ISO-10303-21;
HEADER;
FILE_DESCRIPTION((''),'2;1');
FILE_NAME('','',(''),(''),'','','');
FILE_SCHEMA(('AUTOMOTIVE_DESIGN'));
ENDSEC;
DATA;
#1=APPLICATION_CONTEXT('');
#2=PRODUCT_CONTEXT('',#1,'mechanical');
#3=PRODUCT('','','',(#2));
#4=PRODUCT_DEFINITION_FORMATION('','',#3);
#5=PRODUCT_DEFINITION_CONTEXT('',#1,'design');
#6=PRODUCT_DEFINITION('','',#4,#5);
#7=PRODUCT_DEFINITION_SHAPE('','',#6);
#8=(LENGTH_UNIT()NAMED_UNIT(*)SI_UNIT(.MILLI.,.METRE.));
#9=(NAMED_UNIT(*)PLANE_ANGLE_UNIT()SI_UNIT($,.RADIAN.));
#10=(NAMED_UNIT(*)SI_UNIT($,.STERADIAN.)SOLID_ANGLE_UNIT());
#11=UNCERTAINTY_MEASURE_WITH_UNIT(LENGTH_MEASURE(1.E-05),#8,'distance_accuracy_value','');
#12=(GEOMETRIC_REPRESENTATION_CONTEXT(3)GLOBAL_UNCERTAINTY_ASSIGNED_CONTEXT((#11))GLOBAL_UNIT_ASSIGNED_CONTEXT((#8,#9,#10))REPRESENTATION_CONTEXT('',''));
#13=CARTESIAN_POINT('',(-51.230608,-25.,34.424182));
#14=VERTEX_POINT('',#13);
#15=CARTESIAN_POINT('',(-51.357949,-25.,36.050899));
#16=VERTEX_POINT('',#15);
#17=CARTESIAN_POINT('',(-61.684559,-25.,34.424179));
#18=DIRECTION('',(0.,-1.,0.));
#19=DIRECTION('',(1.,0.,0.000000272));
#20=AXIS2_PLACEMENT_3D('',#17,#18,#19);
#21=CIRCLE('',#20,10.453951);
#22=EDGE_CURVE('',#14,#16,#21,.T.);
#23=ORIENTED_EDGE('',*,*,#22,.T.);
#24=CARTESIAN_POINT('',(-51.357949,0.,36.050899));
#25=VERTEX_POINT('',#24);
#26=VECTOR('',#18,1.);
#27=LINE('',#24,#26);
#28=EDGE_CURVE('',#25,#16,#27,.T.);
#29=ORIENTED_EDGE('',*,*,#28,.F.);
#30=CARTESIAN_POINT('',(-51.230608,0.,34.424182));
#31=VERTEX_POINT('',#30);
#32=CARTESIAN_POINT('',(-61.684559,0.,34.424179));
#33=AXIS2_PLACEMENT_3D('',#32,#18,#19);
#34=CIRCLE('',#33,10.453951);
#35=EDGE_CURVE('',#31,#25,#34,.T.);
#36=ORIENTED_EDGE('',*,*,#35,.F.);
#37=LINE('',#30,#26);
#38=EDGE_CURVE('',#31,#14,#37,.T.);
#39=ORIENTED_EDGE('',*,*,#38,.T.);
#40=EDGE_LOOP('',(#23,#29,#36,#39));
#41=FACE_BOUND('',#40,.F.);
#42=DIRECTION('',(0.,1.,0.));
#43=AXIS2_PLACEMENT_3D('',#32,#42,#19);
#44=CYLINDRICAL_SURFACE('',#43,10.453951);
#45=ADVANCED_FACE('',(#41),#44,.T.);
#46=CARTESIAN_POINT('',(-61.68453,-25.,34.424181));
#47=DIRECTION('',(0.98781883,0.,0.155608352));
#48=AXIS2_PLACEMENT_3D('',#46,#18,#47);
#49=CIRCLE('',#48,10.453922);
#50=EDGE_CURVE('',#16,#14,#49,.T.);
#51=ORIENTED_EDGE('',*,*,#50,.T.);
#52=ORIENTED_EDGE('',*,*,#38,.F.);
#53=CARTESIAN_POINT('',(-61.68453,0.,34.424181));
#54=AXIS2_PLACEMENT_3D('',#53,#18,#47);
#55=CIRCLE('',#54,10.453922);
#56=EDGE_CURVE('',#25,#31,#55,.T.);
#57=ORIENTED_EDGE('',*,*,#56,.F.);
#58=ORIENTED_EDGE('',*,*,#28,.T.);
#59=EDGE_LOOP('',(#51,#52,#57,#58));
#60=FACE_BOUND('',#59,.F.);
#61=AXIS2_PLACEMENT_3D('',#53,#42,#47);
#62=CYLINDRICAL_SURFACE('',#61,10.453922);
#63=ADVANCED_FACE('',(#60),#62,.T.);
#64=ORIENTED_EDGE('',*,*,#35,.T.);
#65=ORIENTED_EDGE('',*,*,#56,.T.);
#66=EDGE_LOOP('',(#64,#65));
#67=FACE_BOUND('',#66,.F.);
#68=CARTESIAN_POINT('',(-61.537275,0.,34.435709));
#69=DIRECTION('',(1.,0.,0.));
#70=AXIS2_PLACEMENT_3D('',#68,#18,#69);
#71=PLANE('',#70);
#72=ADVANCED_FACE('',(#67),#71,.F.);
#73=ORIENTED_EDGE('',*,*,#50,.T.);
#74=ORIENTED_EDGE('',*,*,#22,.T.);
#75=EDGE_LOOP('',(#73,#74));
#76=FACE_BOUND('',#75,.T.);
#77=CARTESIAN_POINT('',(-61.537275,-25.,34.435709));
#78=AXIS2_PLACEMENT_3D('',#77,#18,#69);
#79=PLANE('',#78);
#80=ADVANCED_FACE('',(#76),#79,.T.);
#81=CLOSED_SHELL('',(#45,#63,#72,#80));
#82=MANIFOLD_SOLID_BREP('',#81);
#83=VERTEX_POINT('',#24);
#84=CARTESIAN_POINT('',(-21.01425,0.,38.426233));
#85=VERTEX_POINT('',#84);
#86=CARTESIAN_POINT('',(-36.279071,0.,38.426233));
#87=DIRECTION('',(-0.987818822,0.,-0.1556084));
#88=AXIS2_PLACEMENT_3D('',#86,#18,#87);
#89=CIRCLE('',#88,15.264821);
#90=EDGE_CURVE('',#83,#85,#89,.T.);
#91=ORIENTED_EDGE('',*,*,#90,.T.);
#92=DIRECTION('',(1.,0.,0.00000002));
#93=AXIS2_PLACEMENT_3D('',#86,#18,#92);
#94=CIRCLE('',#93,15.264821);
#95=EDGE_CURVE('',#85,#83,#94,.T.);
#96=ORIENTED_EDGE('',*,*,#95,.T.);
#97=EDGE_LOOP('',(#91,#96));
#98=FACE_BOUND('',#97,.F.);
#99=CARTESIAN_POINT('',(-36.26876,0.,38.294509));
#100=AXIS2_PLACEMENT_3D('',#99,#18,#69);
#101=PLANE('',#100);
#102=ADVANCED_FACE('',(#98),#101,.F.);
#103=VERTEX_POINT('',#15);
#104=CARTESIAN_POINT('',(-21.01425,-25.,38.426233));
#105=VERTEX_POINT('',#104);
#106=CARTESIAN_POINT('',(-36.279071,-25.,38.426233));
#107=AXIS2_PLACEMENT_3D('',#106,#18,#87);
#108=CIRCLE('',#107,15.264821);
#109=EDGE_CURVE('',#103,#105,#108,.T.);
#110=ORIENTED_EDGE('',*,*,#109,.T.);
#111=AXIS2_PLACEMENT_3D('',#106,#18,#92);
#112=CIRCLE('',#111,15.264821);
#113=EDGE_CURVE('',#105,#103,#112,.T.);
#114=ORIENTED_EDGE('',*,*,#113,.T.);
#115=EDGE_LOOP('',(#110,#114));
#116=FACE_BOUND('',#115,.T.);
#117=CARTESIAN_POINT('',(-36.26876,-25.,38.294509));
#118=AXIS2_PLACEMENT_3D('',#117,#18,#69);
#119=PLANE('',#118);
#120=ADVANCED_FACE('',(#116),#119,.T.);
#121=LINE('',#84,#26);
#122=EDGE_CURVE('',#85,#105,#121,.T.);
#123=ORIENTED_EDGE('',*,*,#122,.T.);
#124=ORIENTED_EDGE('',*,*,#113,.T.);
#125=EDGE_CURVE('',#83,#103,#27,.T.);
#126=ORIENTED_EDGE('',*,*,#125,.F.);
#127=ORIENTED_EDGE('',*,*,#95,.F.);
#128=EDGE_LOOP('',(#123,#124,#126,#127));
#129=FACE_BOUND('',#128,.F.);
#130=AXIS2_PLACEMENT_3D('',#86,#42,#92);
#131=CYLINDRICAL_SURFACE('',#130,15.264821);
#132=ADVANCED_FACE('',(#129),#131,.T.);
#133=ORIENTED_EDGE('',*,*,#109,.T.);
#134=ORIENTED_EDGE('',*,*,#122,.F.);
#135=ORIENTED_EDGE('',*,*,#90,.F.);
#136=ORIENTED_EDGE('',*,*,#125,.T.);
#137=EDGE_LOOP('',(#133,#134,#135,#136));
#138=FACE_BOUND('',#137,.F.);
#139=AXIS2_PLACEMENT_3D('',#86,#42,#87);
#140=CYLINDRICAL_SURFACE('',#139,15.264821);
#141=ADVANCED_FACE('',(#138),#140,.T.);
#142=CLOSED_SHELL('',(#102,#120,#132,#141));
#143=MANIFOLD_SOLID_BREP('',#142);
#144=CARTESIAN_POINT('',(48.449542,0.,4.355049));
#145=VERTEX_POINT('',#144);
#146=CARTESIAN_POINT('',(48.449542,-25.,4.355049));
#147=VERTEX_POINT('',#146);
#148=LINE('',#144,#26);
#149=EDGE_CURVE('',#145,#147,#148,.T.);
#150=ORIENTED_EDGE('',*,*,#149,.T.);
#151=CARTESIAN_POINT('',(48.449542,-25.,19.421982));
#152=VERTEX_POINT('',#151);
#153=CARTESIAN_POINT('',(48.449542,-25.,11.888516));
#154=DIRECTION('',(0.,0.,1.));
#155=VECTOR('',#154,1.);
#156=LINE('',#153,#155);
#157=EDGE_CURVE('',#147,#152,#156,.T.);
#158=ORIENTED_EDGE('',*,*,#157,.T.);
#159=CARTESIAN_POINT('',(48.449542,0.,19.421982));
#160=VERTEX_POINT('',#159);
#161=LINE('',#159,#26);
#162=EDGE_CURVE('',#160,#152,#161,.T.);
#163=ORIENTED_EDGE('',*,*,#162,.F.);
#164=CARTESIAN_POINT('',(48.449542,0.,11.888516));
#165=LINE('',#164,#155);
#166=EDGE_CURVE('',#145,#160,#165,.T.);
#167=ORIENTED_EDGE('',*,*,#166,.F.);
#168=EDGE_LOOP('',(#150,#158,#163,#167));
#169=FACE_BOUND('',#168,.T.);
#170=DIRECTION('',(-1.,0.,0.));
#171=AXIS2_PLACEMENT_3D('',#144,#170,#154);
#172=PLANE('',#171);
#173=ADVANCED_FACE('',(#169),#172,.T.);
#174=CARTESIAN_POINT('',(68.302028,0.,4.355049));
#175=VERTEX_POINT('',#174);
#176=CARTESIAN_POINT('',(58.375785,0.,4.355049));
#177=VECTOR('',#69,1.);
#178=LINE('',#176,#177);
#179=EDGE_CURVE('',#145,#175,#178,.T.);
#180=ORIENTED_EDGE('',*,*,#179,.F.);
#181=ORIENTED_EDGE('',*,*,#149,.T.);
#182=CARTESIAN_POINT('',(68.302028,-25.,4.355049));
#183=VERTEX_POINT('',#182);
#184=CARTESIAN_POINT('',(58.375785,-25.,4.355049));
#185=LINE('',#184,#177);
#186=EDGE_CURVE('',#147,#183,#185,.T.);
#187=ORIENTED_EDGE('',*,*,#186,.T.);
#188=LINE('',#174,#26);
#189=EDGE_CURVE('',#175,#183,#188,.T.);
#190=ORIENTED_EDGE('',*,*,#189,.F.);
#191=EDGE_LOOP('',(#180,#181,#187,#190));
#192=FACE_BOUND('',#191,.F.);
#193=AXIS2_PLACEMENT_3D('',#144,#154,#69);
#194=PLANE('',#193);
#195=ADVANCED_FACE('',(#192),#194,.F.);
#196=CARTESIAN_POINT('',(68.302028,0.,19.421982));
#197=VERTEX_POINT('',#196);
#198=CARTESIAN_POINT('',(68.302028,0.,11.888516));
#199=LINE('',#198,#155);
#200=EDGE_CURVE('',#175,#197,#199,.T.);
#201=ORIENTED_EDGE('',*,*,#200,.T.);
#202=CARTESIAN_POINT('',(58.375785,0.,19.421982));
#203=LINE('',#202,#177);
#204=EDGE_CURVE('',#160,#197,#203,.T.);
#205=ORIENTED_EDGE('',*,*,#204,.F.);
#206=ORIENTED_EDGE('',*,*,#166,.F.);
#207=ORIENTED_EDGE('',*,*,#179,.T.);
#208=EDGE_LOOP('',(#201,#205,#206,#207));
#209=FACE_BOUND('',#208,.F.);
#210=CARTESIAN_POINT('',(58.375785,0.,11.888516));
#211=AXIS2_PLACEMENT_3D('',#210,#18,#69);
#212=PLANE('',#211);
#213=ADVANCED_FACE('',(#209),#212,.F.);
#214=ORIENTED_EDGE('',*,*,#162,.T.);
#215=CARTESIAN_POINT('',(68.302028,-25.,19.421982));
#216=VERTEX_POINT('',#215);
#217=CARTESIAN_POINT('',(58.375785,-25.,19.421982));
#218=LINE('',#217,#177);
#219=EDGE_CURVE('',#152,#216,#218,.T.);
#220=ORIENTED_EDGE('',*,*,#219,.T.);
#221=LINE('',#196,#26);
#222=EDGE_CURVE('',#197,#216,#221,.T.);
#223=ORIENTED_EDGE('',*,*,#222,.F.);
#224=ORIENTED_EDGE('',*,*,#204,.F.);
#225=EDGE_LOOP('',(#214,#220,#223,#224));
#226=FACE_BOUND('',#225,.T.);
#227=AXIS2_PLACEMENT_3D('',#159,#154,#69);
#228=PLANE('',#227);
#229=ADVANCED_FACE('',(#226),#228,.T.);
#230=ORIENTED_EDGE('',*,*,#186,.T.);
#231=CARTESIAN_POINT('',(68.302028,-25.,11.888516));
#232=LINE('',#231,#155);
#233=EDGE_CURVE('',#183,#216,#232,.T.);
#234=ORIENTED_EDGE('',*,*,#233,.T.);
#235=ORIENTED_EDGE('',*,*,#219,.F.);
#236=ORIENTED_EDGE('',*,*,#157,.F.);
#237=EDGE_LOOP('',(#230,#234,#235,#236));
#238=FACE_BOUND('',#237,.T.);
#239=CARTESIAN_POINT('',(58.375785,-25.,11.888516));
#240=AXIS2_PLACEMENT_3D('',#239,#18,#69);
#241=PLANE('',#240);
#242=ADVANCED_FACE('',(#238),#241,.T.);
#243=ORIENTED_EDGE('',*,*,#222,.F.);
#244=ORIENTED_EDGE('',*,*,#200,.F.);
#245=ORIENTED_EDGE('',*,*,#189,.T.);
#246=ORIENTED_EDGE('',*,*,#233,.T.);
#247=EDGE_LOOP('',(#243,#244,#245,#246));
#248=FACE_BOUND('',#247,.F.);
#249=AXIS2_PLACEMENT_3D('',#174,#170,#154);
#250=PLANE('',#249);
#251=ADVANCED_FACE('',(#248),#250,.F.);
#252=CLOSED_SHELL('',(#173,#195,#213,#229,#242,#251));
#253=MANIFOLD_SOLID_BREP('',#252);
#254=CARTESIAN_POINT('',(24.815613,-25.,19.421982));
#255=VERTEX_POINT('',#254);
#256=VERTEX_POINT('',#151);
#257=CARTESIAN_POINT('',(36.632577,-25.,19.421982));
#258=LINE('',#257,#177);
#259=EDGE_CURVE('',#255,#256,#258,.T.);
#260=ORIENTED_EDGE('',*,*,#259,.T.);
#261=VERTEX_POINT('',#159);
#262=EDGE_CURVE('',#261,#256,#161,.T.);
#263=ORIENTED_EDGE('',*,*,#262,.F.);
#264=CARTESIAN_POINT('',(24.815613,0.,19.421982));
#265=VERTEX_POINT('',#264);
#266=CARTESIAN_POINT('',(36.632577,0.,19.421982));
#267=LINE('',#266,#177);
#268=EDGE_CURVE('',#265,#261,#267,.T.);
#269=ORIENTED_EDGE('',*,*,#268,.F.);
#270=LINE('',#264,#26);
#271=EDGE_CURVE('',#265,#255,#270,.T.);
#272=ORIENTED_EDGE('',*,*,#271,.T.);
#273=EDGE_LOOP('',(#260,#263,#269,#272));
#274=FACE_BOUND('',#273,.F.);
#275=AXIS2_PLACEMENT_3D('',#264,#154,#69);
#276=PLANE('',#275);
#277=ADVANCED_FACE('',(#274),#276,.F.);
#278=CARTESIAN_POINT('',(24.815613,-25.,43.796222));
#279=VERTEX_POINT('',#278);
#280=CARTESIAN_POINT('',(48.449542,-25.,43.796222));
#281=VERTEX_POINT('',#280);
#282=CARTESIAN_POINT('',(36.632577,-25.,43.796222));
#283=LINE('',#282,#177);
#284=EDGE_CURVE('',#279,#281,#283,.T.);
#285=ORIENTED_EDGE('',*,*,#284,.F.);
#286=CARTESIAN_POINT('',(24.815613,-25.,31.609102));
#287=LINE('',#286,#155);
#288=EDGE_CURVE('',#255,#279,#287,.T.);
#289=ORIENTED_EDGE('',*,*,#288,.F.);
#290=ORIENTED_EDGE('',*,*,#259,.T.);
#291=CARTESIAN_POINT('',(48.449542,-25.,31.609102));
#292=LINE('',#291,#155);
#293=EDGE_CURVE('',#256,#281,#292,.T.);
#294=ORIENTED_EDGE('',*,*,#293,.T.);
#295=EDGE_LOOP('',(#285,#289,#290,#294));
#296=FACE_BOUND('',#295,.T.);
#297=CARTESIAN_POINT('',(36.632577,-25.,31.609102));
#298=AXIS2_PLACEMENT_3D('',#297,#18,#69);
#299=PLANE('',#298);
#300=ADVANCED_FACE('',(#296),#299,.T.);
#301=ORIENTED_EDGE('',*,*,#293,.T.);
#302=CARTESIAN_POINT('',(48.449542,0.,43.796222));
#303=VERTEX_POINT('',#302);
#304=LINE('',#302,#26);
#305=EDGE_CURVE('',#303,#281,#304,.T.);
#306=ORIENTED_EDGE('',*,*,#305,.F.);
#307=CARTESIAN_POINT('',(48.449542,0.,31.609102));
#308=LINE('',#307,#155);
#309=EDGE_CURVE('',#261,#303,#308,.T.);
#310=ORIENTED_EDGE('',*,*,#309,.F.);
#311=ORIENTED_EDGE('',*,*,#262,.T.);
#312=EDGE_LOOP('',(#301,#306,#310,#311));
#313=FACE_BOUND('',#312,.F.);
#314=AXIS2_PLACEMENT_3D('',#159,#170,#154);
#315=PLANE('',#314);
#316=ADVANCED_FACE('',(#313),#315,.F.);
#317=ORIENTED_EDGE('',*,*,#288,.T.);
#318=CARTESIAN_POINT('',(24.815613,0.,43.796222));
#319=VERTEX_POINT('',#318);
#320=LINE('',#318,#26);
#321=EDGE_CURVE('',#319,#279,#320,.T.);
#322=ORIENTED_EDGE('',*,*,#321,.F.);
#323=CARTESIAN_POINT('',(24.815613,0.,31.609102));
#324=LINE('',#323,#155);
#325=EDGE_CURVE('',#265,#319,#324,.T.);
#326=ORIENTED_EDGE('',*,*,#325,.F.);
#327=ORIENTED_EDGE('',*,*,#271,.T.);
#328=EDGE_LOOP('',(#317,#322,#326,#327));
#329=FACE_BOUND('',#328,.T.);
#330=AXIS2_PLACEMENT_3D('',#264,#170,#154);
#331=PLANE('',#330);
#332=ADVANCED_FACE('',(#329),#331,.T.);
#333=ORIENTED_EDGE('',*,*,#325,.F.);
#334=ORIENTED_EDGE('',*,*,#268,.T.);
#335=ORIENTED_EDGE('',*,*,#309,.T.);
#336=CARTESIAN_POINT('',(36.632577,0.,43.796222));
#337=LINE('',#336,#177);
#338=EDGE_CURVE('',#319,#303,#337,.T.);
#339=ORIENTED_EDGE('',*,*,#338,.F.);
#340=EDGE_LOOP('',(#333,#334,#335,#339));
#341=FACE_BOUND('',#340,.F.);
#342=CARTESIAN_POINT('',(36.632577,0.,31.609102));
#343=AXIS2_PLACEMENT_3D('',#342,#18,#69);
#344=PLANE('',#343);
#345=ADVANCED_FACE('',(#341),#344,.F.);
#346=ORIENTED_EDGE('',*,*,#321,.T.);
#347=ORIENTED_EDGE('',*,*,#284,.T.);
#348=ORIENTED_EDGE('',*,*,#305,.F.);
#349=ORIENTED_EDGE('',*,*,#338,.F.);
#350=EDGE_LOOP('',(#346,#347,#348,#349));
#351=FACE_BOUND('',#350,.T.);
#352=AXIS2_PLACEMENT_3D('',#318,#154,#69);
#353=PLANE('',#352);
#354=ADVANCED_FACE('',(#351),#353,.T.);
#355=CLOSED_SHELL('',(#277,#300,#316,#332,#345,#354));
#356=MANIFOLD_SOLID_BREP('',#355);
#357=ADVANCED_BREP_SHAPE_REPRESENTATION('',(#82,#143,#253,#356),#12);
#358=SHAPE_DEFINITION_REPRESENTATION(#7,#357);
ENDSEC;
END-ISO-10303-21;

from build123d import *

# Parameters (mm, degrees)
F0_W     = 19.852486
F0_H     = 15.066933
F0_W_2   = 23.633929
F0_H_2   = 24.374241
F1_DEPTH = 25


with BuildPart() as f1:
    # F0 (on Front) → F1 (new body)
    with BuildSketch(Plane.XZ):
        with BuildLine():
            ThreePointArc((-51.357949, 36.050899), (-72.106568, 33.608335), (-51.230608, 34.424182))
            ThreePointArc((-51.230608, 34.424182), (-51.262492, 35.240029), (-51.357949, 36.050899))
        make_face()
        with BuildLine():
            ThreePointArc((-21.01425, 38.426233), (-37.470372, 53.644497), (-51.357949, 36.050899))
            ThreePointArc((-51.357949, 36.050899), (-35.087771, 23.207969), (-21.01425, 38.426233))
        make_face()
        with Locations((58.375785, 11.888516)):
            Rectangle(F0_W, F0_H)
        with Locations((36.632577, 31.609102)):
            Rectangle(F0_W_2, F0_H_2)
    extrude(amount=F1_DEPTH)


solid = f1.part
